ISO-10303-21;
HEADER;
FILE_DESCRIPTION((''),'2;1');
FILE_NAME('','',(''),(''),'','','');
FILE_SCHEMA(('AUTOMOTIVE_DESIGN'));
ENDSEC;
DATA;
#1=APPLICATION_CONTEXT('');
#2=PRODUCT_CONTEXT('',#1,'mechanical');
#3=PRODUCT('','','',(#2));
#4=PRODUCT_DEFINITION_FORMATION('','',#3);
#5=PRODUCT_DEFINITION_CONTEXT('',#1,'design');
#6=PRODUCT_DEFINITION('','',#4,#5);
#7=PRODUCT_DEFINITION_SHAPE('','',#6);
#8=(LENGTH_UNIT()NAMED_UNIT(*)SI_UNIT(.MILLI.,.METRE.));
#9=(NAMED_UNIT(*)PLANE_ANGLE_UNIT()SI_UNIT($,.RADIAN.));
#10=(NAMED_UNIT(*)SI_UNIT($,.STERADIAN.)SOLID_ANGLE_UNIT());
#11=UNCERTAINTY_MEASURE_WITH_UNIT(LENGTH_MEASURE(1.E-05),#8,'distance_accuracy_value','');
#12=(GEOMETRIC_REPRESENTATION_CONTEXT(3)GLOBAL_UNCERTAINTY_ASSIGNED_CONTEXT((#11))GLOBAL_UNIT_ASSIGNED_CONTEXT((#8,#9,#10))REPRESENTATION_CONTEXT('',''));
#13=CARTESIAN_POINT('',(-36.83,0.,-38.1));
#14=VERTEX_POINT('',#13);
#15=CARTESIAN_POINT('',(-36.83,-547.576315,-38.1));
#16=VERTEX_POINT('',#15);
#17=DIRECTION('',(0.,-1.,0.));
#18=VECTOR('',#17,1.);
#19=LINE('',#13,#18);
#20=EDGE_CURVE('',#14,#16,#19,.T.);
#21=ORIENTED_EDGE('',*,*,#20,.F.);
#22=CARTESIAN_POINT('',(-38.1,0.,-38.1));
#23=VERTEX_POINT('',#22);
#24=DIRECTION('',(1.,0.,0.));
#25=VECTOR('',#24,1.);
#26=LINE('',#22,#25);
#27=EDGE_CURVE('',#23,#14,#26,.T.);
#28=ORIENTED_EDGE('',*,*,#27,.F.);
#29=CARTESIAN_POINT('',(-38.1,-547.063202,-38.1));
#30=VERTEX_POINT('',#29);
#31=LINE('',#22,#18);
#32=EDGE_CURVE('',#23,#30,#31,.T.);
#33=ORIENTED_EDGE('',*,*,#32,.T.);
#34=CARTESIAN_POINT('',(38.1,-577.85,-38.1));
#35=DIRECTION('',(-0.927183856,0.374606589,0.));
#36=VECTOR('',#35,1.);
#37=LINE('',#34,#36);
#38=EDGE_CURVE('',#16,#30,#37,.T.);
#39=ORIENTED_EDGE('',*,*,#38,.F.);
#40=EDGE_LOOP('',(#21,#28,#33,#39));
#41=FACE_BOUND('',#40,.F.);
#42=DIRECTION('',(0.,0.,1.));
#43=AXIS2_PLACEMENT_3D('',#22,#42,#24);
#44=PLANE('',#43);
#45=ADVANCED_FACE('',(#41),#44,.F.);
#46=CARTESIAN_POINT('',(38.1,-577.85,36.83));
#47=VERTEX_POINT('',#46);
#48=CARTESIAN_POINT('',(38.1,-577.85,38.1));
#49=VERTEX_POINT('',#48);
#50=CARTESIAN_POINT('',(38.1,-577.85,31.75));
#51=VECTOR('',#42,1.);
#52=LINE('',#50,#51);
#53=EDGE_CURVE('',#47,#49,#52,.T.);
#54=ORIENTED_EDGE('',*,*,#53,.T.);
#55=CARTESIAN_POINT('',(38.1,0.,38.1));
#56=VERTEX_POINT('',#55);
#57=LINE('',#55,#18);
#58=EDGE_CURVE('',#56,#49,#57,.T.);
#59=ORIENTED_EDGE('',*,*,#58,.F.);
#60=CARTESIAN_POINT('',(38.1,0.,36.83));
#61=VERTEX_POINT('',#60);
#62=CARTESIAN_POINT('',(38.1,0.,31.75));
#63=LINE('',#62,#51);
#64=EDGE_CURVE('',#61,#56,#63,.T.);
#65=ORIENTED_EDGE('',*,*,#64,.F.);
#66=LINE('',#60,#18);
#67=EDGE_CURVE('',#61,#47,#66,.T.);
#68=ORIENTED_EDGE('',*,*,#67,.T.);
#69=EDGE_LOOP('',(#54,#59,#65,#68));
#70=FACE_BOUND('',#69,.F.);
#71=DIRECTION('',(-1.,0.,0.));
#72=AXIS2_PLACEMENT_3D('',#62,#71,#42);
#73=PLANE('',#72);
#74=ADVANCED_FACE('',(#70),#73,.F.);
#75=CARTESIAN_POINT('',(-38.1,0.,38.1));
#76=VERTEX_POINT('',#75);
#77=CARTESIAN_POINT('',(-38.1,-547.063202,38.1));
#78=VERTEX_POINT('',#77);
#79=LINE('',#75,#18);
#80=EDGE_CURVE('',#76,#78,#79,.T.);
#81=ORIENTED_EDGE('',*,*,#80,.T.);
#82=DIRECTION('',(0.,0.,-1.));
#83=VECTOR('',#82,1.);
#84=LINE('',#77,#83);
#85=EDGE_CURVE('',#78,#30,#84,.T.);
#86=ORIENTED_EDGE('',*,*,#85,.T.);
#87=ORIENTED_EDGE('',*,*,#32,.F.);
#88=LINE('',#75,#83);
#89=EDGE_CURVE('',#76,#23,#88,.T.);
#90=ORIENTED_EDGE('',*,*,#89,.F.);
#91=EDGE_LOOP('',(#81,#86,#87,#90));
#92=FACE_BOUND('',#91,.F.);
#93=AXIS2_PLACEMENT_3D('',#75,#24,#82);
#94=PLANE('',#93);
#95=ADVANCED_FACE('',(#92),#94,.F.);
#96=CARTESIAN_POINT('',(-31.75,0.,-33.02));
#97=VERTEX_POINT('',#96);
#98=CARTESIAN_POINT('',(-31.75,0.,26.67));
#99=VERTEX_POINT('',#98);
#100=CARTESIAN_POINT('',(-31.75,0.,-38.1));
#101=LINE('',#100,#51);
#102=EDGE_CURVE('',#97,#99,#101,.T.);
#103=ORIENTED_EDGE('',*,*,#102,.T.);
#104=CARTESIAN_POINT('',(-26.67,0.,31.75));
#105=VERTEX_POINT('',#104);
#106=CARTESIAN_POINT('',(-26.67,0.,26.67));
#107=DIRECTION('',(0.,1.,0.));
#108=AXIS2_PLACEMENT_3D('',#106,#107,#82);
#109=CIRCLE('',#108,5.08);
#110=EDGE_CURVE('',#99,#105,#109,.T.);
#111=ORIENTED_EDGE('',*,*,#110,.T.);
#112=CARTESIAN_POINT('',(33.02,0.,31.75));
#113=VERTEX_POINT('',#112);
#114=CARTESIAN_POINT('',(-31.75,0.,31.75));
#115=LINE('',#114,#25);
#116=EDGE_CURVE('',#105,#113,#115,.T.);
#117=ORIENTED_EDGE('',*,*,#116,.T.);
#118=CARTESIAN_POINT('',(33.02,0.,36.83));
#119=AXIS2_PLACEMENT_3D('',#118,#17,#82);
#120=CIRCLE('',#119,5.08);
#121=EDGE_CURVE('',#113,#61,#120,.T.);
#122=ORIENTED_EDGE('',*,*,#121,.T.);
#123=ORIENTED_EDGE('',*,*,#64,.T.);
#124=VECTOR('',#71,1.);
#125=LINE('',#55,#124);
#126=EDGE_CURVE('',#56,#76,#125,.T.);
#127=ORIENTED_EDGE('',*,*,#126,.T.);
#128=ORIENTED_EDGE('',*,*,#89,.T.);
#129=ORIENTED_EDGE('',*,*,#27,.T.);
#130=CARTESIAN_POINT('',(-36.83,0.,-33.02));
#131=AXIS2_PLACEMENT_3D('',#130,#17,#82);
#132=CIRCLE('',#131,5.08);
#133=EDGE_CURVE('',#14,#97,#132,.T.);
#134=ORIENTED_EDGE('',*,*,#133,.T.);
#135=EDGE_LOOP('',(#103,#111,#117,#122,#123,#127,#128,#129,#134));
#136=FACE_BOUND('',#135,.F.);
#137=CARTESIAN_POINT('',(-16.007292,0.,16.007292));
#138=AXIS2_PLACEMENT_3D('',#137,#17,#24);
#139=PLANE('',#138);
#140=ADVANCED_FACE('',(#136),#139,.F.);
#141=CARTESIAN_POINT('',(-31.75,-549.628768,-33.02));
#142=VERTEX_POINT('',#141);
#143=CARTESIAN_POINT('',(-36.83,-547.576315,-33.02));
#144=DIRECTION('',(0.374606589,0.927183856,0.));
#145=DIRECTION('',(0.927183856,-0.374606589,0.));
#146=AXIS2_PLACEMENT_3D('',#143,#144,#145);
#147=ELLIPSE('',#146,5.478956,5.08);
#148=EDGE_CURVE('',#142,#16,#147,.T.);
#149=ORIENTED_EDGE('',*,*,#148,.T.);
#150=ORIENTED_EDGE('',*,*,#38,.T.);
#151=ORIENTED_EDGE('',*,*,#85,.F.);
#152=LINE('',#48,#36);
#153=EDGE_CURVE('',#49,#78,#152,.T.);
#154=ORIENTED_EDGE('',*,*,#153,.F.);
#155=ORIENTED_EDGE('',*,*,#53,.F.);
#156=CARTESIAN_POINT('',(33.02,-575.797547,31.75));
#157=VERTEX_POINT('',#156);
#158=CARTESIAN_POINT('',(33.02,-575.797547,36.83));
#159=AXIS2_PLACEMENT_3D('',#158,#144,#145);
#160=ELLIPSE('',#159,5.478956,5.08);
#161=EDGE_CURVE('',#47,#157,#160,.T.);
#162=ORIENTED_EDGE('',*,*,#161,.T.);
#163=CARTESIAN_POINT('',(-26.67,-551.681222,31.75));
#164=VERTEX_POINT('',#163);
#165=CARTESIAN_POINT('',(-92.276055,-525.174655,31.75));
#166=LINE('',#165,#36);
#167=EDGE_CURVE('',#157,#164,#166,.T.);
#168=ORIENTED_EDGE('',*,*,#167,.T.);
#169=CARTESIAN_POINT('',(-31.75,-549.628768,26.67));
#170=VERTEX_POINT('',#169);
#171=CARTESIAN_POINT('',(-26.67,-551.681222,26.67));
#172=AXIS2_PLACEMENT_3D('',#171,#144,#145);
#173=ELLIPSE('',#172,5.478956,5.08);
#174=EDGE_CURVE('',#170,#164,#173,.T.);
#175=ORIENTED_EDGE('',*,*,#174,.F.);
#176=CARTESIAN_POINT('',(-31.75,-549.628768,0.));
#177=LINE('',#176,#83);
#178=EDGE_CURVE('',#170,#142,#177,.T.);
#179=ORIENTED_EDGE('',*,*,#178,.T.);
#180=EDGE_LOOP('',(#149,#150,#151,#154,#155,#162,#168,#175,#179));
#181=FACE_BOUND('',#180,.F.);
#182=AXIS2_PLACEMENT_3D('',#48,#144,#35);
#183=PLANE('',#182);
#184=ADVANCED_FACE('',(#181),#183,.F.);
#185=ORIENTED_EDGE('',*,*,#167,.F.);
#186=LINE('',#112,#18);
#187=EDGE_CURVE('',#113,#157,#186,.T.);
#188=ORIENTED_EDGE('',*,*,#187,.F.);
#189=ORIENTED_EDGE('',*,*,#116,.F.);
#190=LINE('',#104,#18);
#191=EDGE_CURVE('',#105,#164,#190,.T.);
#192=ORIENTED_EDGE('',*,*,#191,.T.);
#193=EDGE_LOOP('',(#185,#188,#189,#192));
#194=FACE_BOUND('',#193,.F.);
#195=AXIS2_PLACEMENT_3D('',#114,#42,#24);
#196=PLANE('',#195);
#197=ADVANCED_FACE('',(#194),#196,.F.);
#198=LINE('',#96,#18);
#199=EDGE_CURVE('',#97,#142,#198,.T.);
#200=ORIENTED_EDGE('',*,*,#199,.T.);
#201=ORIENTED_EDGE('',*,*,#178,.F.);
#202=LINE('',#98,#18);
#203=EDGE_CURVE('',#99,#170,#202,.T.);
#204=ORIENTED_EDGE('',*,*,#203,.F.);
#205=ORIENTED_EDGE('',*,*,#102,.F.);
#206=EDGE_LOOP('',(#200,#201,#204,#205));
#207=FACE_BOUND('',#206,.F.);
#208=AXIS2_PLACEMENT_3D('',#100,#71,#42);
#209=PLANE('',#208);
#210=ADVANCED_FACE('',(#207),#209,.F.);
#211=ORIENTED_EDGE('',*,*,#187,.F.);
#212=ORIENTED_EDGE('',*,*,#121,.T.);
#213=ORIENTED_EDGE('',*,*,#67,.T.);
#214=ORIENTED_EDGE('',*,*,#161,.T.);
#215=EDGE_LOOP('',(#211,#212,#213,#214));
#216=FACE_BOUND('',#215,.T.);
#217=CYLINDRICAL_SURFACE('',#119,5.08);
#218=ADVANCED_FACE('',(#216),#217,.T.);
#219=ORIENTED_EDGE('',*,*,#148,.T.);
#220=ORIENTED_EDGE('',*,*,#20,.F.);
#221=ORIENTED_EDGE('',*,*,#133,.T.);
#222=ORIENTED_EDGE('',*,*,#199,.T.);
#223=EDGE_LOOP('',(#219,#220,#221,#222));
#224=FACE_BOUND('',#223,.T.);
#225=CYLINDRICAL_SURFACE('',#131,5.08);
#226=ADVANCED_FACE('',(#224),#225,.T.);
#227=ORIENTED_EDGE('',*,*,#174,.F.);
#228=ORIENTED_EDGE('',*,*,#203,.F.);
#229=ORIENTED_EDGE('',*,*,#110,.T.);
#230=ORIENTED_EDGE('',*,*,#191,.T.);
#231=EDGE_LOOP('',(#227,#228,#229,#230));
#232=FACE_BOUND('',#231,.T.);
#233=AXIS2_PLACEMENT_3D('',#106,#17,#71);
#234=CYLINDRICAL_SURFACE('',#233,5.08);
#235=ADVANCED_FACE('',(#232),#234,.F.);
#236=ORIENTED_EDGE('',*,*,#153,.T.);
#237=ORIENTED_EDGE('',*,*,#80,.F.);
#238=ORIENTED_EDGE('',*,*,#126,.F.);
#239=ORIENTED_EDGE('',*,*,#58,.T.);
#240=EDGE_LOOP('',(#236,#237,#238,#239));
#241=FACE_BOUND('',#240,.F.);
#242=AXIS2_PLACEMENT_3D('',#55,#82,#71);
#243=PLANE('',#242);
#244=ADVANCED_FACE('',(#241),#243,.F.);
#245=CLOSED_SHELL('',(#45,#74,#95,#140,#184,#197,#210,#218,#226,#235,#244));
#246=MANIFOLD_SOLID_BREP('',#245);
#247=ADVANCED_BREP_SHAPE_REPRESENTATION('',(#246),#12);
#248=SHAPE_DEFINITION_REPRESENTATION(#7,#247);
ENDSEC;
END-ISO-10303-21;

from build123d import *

# Parameters (mm, degrees)
F1_DEPTH = 577.85
F2_R     = 5.08
F4_DEPTH = 76.2


with BuildPart() as f1:
    # F0 (on Front) → F1 (new body)
    with BuildSketch(Plane.XZ):
        Polygon((-38.1, -38.1), (-31.75, -38.1), (-31.75, 31.75), (38.1, 31.75), (38.1, 38.1), (-38.1, 38.1), align=None)
    extrude(amount=F1_DEPTH)

    # F2
    f2_edges = [f1.edges().sort_by_distance(p)[0] for p in [
        (-31.75, -288.925, 31.75),
        (38.1, -288.925, 31.75),
        (-31.75, -288.925, -38.1),
    ]]
    fillet(f2_edges, radius=F2_R)

    # F3 (on face) → F4 (cut)
    with BuildSketch(Plane.XY.offset(38.1)):
        Polygon((-38.1, -577.85), (38.1, -577.85), (-38.1, -547.063202), align=None)
    extrude(amount=-F4_DEPTH, mode=Mode.SUBTRACT)


solid = f1.part
